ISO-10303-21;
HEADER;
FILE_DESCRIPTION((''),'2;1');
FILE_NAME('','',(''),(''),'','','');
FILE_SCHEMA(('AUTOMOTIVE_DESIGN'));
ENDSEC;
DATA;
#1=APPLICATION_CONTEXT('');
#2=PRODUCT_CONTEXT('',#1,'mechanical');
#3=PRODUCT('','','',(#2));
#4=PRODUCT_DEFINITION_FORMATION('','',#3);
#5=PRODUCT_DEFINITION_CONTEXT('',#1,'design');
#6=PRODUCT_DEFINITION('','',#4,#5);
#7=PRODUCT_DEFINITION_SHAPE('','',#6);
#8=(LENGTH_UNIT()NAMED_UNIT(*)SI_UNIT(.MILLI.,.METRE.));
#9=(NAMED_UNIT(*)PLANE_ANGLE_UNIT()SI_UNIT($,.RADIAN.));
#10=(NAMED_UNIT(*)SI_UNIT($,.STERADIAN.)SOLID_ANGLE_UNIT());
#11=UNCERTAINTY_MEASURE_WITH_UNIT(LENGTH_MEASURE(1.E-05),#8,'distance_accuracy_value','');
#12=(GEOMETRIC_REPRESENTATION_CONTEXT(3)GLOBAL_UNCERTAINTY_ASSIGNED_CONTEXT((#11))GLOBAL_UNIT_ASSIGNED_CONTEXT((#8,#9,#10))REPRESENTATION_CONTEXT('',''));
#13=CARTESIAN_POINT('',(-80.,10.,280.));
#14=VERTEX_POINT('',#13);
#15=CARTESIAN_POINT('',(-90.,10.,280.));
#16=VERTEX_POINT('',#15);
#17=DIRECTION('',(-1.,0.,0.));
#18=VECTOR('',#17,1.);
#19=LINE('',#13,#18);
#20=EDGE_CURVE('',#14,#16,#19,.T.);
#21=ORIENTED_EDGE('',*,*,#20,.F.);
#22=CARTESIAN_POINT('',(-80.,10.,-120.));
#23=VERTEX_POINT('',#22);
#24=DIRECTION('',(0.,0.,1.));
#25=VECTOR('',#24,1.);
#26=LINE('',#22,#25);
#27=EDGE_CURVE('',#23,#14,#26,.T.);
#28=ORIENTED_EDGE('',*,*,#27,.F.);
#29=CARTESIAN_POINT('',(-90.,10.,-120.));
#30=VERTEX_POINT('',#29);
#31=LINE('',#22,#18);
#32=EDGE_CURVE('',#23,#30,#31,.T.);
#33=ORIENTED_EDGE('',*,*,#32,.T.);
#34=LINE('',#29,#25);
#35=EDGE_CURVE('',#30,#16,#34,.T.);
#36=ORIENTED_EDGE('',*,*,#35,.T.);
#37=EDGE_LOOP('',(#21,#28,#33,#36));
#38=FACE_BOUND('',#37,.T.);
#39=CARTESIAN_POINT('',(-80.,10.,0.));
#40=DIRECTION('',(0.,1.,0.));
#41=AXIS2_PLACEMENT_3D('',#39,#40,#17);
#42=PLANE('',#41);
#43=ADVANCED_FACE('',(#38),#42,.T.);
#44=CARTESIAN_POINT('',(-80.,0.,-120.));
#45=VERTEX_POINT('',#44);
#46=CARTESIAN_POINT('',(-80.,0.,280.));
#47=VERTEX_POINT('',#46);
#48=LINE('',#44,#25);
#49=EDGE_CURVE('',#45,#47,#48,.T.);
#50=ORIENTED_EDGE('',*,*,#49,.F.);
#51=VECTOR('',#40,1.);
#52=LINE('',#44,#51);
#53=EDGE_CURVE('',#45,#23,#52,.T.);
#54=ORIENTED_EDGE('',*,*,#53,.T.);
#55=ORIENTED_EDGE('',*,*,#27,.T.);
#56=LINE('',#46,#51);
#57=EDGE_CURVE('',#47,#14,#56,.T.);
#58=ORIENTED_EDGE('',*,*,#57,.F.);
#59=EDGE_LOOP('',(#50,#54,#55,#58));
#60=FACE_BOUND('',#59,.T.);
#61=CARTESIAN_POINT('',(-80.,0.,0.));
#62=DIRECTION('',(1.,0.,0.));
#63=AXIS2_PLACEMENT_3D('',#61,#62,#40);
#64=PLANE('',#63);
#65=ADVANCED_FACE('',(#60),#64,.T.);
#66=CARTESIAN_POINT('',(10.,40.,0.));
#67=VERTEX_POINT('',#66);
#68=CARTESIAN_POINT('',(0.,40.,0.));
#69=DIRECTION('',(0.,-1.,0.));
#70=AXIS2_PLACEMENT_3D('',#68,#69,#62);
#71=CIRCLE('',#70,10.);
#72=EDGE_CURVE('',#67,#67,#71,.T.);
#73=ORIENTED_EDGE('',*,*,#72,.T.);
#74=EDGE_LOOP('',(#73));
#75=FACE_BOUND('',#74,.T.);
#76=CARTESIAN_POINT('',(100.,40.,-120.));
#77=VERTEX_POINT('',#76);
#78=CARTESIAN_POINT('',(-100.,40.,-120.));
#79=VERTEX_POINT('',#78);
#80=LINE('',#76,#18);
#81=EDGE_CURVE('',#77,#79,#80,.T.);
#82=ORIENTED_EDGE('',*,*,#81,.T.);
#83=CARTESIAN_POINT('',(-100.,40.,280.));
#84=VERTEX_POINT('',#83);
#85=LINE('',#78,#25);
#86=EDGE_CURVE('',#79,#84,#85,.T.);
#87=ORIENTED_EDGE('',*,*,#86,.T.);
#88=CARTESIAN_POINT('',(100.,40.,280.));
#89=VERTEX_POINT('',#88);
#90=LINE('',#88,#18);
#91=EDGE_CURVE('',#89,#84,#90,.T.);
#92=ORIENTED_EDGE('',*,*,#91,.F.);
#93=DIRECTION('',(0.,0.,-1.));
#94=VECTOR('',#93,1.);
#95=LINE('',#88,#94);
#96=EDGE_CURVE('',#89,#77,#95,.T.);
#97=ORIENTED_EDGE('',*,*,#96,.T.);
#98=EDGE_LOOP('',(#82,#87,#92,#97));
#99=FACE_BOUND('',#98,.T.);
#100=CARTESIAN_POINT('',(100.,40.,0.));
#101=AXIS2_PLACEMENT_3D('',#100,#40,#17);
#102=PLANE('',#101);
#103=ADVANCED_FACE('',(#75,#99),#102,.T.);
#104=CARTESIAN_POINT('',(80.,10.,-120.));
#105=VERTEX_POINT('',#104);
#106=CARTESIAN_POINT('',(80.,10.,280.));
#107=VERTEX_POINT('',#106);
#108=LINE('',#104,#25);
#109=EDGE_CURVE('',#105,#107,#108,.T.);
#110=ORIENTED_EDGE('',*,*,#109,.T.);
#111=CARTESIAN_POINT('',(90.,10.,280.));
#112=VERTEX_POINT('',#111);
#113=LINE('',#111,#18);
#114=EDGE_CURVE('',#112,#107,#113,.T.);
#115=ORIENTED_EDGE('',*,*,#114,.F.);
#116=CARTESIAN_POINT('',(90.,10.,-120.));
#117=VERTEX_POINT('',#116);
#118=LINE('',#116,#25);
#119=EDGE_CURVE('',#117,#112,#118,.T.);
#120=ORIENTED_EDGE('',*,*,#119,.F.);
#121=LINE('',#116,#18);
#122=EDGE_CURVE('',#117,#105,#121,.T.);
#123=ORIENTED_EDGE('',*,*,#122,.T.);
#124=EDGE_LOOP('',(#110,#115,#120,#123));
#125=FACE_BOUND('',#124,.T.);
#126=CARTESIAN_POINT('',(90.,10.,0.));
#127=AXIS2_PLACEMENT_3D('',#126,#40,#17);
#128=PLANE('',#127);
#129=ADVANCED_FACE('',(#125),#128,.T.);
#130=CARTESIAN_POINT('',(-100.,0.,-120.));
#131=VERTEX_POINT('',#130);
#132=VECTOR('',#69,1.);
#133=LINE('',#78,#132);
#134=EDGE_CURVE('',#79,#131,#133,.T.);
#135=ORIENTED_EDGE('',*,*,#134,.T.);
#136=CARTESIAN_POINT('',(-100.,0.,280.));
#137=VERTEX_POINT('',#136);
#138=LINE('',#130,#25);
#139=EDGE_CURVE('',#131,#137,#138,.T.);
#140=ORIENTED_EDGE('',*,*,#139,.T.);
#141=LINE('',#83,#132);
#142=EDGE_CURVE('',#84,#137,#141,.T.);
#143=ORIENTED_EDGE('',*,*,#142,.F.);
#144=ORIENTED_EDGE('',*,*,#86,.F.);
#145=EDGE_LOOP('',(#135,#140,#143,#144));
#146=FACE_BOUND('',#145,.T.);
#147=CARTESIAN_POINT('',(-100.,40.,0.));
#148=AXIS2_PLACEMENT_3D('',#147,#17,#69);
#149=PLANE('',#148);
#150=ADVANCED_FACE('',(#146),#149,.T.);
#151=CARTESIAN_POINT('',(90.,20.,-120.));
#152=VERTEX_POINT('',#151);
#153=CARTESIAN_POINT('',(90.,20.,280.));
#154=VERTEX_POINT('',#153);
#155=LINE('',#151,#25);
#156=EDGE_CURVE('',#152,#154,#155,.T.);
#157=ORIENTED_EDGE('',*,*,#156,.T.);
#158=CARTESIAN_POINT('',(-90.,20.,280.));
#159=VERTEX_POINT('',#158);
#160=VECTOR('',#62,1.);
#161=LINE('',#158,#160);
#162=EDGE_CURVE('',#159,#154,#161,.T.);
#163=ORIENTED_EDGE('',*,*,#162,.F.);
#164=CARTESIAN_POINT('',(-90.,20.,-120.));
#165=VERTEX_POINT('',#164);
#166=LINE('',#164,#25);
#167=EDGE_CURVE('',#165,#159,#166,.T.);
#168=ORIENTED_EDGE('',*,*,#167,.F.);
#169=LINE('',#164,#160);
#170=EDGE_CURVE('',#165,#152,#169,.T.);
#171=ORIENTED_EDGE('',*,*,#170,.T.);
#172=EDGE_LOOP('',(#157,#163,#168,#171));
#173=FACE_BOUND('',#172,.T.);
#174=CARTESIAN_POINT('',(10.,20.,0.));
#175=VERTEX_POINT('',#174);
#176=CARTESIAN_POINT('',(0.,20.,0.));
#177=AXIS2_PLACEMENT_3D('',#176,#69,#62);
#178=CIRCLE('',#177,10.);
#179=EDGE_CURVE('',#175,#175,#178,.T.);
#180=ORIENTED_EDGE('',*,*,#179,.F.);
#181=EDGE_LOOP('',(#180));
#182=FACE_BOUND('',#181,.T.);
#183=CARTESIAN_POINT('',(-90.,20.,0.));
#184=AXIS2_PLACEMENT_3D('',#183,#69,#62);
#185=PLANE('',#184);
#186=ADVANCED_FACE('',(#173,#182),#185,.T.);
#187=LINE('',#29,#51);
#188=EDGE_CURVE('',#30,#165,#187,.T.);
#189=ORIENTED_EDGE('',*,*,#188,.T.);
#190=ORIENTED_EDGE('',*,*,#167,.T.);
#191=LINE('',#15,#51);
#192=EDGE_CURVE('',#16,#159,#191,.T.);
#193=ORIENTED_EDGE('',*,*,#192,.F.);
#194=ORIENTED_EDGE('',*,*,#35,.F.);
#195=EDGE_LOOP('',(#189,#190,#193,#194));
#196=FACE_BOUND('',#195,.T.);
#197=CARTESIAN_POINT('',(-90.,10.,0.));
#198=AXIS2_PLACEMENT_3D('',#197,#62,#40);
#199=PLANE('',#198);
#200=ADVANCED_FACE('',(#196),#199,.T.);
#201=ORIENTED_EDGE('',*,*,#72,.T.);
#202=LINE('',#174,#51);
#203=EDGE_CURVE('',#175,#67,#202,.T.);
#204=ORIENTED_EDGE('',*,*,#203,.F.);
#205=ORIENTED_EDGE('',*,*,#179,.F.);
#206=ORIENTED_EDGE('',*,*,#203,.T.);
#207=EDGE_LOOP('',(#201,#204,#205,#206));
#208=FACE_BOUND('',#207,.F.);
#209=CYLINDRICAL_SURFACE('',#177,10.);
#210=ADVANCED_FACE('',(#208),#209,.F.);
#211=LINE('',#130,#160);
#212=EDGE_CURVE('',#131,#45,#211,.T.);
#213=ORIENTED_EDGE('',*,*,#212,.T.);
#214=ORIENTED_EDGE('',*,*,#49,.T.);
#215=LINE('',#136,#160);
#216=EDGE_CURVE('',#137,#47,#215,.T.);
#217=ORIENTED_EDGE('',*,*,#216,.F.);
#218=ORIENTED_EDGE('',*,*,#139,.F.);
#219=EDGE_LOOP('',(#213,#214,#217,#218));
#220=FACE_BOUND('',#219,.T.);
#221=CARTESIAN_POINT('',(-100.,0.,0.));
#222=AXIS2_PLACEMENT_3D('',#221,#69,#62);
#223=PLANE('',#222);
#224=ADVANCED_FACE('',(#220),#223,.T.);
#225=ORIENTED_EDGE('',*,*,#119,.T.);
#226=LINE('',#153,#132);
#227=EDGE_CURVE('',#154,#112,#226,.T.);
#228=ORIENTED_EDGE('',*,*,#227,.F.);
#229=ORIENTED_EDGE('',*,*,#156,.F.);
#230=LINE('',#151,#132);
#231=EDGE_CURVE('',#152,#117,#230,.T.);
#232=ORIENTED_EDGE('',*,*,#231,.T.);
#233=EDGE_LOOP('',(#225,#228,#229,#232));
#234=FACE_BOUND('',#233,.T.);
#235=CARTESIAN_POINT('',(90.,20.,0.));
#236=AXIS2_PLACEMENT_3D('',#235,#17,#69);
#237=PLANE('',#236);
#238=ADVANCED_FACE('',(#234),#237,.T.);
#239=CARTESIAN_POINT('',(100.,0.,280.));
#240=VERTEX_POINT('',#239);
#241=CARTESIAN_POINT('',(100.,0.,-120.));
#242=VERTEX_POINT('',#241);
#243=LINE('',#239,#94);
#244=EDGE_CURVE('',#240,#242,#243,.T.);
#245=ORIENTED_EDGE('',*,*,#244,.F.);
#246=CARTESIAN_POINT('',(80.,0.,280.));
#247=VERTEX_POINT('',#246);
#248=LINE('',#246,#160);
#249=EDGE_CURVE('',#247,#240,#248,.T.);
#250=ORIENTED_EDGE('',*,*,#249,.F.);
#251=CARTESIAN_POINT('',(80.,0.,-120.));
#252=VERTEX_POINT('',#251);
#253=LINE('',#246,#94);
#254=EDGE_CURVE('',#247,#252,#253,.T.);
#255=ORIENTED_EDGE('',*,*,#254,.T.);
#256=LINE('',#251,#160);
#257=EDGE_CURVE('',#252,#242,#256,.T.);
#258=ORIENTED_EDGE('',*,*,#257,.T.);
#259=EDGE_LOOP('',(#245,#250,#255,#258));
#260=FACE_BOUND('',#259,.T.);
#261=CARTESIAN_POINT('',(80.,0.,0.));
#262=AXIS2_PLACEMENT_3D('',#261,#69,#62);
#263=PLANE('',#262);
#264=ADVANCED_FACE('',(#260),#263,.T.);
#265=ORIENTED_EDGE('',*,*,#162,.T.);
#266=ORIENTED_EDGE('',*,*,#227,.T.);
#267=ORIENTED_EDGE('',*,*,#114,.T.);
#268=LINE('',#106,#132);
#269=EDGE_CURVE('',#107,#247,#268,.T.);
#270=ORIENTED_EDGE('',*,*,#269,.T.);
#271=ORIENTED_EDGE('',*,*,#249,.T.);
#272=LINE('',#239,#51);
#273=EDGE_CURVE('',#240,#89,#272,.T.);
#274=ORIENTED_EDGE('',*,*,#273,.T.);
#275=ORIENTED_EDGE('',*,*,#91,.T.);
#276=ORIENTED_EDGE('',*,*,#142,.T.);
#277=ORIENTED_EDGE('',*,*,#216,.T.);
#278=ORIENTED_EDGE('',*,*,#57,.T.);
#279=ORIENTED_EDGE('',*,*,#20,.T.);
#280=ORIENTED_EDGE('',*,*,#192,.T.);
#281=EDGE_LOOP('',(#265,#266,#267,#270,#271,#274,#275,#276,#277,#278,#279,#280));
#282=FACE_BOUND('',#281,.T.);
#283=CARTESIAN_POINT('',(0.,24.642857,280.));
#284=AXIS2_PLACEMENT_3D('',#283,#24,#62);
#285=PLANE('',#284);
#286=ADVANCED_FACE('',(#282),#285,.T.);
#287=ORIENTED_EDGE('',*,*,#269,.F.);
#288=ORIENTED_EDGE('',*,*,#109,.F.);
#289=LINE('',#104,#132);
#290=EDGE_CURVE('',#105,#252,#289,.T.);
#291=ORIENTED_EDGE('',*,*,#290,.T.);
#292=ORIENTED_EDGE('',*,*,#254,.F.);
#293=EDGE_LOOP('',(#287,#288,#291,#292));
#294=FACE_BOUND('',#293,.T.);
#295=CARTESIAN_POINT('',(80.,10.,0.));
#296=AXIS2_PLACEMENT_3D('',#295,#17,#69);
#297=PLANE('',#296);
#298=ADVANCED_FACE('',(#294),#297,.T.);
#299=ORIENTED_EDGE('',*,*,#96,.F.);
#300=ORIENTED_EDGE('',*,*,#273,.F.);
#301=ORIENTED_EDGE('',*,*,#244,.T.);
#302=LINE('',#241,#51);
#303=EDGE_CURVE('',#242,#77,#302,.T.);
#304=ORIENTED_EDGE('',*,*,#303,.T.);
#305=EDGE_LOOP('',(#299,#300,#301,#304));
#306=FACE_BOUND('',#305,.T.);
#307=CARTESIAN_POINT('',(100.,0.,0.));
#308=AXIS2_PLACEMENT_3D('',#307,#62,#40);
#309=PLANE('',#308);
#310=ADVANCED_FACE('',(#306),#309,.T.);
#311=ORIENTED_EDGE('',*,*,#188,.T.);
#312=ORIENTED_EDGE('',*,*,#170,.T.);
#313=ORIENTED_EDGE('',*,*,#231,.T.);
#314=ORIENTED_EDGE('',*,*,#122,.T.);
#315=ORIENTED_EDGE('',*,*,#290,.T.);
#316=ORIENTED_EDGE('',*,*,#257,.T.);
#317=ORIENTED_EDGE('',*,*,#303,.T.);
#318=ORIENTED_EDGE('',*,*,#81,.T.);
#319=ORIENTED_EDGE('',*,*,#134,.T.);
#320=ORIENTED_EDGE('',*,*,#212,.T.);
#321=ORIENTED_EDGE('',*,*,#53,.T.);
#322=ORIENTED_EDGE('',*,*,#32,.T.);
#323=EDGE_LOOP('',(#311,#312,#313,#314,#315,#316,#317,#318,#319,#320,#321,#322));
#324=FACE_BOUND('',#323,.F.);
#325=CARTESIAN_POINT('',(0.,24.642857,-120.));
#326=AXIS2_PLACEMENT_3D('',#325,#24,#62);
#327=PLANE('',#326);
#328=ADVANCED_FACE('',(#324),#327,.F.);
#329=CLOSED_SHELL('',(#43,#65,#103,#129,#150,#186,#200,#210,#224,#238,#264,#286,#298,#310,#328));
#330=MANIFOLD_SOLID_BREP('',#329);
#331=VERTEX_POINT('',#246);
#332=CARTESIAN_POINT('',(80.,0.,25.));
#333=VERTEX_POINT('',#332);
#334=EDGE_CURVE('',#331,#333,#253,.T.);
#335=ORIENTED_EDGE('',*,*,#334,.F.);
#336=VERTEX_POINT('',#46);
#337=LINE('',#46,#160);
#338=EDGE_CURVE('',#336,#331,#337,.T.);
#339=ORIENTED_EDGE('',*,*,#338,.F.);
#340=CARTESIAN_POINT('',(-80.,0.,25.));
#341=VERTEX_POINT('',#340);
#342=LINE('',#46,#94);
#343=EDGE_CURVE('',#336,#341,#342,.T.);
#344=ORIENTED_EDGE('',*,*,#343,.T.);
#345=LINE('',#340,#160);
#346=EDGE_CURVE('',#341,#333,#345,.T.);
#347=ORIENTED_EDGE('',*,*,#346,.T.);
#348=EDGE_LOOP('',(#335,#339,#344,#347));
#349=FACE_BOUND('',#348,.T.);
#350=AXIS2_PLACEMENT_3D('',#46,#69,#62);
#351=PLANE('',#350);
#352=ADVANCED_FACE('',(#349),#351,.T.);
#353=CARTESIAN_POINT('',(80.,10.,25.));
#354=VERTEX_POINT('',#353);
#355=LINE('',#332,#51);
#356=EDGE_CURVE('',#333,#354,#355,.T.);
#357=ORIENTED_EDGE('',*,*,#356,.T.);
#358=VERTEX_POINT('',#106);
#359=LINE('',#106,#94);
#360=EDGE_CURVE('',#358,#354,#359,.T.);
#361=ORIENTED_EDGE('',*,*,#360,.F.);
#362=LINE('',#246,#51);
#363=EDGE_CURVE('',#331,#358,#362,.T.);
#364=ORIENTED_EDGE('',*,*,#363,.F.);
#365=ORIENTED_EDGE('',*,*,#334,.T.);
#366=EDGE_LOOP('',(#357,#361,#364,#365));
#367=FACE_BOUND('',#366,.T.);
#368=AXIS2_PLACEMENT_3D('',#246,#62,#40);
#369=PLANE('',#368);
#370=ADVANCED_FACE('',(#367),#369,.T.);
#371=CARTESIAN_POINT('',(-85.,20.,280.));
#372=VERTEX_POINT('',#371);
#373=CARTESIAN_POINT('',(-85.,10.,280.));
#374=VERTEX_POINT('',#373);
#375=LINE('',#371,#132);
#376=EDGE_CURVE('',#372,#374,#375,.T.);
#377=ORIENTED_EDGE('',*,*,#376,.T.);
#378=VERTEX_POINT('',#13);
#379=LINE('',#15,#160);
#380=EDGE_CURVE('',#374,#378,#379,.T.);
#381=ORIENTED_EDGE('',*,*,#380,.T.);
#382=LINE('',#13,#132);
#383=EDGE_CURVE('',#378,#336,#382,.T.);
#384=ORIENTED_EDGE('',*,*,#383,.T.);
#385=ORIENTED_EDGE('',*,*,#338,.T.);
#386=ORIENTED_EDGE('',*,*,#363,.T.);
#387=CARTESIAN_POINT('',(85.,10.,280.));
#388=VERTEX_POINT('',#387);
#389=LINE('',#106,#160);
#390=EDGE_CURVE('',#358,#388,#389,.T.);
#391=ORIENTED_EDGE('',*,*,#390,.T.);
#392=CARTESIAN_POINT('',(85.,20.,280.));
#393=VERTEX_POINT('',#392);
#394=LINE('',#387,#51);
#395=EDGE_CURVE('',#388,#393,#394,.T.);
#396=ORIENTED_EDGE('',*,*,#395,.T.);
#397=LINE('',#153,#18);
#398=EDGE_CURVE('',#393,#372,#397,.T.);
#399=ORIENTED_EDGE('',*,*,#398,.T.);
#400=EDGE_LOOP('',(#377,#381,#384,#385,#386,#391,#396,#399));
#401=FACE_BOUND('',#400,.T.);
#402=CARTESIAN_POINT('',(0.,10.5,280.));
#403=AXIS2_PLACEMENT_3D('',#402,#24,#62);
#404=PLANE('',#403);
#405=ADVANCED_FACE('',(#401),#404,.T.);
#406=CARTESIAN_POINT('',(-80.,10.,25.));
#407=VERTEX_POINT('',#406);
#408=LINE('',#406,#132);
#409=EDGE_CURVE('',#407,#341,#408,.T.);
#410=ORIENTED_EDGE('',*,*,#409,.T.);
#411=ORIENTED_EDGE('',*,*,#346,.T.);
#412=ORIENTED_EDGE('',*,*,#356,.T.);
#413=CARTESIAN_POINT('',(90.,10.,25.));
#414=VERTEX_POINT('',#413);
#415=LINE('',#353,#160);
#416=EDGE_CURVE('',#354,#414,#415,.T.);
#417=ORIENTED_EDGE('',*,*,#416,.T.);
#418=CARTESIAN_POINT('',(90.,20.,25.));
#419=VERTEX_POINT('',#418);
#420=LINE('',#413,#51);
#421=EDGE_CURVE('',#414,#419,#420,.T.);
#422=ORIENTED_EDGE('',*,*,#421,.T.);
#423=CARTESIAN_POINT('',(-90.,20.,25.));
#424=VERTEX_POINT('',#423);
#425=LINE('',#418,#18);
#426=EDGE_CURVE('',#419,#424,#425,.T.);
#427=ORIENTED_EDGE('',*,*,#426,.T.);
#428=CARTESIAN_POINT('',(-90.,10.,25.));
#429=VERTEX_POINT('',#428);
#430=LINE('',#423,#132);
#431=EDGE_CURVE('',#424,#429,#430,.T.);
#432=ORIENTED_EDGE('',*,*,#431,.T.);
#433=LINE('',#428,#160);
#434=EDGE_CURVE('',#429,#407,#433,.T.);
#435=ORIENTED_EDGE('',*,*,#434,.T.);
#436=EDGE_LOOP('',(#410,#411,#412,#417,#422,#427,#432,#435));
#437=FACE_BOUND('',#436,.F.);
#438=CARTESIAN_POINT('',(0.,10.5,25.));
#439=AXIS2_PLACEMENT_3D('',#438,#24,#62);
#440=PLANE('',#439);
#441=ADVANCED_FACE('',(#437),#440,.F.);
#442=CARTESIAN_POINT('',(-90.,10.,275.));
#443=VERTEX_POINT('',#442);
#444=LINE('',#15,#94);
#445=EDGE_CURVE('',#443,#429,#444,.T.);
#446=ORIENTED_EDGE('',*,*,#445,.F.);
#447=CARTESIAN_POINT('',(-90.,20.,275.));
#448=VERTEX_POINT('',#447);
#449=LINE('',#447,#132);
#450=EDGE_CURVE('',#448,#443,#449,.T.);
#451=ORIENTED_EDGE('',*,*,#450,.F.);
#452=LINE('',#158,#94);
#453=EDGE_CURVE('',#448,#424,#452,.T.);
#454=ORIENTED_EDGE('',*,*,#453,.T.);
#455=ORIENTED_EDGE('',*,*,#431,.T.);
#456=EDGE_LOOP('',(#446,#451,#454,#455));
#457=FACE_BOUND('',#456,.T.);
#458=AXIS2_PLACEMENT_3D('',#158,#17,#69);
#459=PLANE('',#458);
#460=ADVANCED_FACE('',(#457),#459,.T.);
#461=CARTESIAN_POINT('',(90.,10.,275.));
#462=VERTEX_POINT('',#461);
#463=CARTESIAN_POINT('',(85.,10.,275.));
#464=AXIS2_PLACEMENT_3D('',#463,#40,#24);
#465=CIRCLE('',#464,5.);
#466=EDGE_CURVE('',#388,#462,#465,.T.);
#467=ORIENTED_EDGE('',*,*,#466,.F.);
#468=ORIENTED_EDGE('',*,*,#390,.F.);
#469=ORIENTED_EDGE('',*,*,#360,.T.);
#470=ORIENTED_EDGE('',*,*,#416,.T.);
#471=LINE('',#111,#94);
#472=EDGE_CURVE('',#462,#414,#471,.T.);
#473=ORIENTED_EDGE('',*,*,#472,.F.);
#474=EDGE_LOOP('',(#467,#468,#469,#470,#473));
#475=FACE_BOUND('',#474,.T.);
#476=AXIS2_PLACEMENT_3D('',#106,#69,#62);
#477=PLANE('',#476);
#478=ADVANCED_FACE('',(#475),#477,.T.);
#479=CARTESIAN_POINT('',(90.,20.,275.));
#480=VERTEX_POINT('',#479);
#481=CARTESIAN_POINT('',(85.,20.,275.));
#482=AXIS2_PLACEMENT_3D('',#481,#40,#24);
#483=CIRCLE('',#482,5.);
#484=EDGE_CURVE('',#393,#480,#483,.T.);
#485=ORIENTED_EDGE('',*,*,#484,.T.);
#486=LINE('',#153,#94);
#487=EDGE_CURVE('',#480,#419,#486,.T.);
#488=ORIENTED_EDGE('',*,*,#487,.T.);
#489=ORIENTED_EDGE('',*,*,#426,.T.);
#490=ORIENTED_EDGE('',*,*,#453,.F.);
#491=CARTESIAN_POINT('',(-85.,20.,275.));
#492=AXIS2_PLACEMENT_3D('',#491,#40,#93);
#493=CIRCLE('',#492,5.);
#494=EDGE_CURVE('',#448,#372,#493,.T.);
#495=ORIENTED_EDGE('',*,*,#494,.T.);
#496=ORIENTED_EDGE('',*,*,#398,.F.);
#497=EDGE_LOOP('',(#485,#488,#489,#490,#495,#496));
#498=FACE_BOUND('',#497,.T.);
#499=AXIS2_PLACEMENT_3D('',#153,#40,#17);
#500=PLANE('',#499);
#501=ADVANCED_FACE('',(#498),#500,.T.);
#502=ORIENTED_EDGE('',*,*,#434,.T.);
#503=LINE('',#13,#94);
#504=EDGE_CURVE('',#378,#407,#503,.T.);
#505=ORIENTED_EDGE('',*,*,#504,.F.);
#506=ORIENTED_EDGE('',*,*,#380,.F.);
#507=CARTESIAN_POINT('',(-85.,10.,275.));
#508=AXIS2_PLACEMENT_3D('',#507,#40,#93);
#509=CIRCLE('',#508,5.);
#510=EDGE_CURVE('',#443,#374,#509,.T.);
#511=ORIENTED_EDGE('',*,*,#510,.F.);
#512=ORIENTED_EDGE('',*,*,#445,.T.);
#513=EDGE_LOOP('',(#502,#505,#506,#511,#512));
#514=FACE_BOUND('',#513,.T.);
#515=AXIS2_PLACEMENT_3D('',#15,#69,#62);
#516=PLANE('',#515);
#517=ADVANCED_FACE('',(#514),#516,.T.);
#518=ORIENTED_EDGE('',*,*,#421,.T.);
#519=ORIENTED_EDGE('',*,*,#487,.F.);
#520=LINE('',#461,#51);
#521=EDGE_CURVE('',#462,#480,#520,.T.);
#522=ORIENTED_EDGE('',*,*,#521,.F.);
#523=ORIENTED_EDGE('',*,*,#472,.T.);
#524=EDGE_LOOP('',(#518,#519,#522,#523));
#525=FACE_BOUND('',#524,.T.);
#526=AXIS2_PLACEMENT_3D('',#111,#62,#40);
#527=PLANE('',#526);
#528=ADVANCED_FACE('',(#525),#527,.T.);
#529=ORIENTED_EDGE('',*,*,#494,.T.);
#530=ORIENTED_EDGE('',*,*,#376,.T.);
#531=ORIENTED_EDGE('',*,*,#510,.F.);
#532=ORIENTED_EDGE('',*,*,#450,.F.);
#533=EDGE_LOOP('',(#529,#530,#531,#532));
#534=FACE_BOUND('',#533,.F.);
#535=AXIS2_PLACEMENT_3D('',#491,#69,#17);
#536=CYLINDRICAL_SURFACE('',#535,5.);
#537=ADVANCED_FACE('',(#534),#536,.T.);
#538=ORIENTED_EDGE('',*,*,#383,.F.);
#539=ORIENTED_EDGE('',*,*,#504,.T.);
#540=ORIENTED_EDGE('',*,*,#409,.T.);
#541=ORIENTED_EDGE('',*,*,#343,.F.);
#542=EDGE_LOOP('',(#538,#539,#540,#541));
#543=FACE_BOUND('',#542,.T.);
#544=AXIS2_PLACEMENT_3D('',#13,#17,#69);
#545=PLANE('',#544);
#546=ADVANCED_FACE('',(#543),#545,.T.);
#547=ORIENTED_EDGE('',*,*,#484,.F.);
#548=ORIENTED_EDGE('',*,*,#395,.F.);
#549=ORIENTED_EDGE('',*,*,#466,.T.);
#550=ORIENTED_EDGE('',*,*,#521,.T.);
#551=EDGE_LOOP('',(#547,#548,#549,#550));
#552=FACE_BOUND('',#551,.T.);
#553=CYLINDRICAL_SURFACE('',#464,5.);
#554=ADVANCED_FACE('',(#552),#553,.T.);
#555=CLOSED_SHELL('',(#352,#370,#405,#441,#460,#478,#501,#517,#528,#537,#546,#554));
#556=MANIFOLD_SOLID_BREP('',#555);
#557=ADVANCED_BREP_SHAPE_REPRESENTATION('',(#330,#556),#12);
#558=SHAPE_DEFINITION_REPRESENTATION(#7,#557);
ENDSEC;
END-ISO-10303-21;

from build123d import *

# Parameters (mm, degrees)
F1_DEPTH      = 280
F1_DEPTH_BACK = 120
F2_R          = 10
F3_DEPTH      = 20
F5_DEPTH      = 255
F6_R          = 5
F7_R          = 5


with BuildPart() as f1:
    # F0 (on Top) → F1 (new body, two sides)
    with BuildSketch(Plane.XY) as f1_sk:
        Polygon((100, 40), (0, 40), (-100, 40), (-100, 0), (-80, 0), (-80, 10), (-90, 10), (-90, 20), (0, 20), (90, 20), (90, 10), (80, 10), (80, 0), (100, 0), align=None)
    extrude(amount=F1_DEPTH)
    extrude(f1_sk.sketch, amount=-F1_DEPTH_BACK)

    # F2 (on face) → F3 (cut)
    with BuildSketch(Plane.XZ.offset(-20)):
        Circle(F2_R)
    extrude(amount=-F3_DEPTH, mode=Mode.SUBTRACT)


with BuildPart() as f5:
    # F4 (on face) → F5 (new body)
    with BuildSketch(Plane.XY.offset(280)):
        Polygon((90, 20), (-90, 20), (-90, 10), (-80, 10), (-80, 0), (80, 0), (80, 10), (90, 10), align=None)
    extrude(amount=-F5_DEPTH)

    # F6
    f6_edges = [f5.edges().sort_by_distance(p)[0] for p in [
        (-90, 15, 280),
    ]]
    fillet(f6_edges, radius=F6_R)

    # F7
    f7_edges = [f5.edges().sort_by_distance(p)[0] for p in [
        (90, 15, 280),
    ]]
    fillet(f7_edges, radius=F7_R)


solid = Compound([f1.part, f5.part])
